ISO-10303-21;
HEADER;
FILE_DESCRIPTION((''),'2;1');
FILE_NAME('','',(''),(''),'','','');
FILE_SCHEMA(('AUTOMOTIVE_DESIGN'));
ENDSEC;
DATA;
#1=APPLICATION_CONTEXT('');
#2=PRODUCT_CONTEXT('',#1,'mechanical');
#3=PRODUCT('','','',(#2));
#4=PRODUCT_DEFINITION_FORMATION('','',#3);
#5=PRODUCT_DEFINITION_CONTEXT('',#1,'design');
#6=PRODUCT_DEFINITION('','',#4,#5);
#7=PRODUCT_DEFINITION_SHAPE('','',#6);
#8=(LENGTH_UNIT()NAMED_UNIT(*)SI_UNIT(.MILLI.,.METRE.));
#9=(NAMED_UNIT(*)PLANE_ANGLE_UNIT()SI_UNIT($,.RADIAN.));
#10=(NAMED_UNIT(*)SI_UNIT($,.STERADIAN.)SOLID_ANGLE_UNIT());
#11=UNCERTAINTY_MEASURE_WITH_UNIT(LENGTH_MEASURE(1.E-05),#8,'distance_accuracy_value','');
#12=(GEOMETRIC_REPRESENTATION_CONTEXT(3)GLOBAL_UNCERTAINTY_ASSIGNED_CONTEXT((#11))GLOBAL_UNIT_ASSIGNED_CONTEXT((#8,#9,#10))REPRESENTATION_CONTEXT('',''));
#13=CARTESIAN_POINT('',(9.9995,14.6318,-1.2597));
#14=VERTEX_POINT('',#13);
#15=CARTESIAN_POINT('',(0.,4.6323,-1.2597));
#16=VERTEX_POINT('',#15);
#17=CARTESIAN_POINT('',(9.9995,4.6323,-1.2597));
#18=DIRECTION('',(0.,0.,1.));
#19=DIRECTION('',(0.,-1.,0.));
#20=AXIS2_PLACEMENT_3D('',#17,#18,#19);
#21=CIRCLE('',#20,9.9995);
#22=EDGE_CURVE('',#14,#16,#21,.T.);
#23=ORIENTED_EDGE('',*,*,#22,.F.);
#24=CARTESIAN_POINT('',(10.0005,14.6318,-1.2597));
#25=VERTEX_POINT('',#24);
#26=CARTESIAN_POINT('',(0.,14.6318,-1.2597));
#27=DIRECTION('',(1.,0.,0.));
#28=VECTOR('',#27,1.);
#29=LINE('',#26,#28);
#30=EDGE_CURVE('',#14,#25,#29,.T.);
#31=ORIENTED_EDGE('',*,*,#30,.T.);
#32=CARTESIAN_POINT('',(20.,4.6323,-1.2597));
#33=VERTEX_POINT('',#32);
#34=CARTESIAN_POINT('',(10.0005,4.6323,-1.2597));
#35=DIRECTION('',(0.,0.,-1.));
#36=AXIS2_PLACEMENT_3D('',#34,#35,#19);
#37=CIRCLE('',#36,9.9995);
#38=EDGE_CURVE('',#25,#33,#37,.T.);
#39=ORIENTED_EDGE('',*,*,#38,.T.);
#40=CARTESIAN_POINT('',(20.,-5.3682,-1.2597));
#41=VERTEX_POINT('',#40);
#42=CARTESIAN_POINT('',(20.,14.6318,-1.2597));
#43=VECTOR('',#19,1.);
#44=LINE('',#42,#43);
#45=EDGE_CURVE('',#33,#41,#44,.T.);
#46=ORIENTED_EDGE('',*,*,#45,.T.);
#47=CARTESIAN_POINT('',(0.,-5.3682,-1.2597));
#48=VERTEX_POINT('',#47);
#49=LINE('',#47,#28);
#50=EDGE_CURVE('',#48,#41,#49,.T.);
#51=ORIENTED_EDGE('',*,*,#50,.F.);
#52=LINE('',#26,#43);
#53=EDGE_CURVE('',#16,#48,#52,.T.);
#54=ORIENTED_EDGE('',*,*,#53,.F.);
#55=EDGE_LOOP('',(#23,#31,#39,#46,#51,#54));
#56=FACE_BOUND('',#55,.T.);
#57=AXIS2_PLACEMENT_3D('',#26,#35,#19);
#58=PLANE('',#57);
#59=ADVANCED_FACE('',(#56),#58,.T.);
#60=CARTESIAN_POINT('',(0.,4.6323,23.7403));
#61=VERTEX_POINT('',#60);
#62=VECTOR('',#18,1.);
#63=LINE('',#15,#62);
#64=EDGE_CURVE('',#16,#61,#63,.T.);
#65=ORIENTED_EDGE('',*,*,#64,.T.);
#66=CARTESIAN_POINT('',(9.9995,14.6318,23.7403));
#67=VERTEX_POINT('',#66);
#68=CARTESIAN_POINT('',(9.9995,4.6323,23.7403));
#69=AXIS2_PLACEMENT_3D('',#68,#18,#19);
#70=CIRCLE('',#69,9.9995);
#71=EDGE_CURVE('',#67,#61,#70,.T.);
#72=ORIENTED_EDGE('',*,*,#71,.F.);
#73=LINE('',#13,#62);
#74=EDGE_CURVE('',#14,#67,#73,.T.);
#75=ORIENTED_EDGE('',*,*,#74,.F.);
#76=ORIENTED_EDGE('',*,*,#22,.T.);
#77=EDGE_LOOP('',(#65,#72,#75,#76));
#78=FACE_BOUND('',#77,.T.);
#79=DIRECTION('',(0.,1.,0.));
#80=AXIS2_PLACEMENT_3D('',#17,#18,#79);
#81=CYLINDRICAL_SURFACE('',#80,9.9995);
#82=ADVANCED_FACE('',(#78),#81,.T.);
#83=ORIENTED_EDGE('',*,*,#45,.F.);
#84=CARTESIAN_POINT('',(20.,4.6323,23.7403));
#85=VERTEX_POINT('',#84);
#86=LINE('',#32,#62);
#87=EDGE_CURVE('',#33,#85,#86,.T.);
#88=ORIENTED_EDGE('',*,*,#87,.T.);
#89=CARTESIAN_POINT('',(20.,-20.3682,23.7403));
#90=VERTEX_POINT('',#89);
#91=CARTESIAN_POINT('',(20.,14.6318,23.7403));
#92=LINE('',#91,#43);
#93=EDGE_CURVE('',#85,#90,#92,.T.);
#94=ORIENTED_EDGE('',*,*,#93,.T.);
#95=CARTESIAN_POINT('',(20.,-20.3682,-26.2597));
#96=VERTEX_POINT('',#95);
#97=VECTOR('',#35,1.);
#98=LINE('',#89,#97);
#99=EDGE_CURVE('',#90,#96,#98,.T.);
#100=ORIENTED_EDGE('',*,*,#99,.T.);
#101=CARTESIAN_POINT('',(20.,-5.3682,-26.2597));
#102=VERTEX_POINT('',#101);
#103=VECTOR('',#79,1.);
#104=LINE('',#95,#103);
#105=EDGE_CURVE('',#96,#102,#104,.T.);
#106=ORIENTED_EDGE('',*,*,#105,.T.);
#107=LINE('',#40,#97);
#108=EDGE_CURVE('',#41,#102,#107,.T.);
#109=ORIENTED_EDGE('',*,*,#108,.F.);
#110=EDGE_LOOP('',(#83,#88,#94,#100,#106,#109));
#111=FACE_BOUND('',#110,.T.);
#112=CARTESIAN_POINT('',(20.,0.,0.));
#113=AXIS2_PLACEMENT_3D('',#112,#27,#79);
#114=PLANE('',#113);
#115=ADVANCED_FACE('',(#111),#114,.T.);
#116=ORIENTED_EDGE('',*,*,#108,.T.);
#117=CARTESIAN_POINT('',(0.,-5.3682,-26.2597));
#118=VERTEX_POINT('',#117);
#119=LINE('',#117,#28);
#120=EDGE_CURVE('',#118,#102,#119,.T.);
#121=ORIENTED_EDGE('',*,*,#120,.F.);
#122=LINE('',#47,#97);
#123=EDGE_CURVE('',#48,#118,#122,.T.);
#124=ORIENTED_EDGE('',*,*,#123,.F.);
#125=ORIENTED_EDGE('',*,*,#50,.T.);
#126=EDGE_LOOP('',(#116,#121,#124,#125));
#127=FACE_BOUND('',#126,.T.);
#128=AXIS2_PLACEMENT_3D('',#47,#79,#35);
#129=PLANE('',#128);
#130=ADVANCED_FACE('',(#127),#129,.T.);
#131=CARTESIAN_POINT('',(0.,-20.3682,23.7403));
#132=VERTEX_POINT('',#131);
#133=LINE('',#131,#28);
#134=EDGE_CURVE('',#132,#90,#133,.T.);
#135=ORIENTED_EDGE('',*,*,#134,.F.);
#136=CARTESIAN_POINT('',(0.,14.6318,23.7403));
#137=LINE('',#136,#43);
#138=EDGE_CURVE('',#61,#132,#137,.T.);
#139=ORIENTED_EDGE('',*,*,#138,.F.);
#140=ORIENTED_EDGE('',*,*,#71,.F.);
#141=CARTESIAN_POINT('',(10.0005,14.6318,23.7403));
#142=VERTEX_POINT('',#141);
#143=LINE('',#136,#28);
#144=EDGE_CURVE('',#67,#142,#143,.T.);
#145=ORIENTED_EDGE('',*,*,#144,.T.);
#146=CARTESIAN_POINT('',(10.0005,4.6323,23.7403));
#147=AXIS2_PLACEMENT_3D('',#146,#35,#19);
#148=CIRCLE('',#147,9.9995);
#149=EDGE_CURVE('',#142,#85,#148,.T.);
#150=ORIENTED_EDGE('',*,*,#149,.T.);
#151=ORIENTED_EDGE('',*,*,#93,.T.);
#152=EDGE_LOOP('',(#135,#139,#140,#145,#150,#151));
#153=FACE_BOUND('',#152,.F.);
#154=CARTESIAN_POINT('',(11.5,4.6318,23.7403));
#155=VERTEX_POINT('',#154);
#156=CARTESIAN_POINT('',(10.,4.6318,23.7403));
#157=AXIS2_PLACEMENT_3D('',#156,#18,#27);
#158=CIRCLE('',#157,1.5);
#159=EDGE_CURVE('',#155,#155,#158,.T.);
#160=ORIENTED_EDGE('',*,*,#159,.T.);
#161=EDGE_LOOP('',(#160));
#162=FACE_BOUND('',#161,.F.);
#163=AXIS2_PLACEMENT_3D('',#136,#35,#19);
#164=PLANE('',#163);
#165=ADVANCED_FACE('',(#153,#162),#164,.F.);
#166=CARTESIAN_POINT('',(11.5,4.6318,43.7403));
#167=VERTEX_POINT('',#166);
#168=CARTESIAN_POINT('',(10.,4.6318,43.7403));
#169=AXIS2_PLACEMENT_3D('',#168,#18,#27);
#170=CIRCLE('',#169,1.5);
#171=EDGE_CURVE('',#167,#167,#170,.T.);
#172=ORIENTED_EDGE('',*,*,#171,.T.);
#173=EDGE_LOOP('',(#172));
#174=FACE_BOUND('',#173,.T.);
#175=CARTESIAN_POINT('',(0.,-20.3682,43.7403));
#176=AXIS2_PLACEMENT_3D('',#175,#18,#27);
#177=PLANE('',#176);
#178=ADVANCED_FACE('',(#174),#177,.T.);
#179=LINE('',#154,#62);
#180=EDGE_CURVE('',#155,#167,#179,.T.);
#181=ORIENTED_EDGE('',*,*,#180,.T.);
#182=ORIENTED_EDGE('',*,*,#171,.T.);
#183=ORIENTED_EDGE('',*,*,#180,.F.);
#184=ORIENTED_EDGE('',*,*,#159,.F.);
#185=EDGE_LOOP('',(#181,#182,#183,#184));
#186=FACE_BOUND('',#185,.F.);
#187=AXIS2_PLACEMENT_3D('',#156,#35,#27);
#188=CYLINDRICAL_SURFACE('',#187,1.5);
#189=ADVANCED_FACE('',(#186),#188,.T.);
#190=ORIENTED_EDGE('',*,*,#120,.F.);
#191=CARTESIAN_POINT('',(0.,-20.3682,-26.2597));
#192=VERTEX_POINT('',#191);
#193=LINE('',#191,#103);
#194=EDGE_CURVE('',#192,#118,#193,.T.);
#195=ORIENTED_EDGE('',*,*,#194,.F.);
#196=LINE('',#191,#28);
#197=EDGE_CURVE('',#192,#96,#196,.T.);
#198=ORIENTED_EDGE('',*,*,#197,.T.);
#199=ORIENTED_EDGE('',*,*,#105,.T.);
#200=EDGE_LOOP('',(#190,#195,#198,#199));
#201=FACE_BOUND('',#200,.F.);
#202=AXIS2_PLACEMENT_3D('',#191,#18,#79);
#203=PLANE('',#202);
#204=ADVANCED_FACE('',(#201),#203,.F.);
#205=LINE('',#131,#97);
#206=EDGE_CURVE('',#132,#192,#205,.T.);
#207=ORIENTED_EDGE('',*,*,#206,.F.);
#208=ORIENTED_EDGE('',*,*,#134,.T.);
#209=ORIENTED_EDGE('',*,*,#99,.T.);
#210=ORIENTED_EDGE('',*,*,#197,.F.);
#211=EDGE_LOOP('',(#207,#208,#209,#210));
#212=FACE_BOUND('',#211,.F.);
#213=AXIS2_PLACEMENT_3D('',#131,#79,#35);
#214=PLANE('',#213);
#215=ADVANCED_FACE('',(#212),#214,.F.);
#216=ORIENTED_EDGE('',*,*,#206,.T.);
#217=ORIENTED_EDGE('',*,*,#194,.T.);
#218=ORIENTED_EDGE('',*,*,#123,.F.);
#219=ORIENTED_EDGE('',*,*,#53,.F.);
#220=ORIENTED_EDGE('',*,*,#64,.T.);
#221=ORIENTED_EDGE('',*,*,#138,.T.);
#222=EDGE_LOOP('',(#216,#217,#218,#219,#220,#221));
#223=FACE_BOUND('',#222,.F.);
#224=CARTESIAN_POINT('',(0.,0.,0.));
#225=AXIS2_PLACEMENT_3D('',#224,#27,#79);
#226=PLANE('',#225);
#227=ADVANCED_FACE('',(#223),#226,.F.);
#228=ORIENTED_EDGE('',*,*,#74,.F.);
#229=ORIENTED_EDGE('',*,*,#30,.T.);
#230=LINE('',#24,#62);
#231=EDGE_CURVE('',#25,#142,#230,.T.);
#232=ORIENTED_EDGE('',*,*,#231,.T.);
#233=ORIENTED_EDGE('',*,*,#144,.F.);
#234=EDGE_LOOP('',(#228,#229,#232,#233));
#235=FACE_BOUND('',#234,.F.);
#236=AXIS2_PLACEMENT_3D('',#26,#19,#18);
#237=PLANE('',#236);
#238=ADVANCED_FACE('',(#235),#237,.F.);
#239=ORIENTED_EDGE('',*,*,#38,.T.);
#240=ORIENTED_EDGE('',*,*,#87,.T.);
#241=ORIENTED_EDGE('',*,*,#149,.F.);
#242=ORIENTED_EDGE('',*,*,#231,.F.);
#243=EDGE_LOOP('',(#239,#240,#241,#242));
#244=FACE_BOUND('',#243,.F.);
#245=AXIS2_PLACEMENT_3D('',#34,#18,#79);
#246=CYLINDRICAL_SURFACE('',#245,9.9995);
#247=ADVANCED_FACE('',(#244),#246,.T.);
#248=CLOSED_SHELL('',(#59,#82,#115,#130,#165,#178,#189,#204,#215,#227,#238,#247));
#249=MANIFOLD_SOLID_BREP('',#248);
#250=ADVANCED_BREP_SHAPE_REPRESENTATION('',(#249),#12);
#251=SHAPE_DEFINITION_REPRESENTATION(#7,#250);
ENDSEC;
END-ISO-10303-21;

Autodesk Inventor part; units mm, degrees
ref_plane "YZ Plane" through (0, 0, 0) normal (1, 0, 0) x (0, 1, 0)
ref_plane "XZ Plane" through (0, 0, 0) normal (0, 1, 0) x (-1, 0, 0)
ref_plane "XY Plane" through (0, 0, 0) normal (0, 0, 1) x (1, 0, 0)
sketch "Sketch1" plane through (0, 0, 0) normal (1, 0, 0) x (0, 1, 0)
  line L0 (14.6318, 23.7403) -> (-20.3682, 23.7403)
  line L1 (-20.3682, 23.7403) -> (-20.3682, -26.2597)
  line L2 (-20.3682, -26.2597) -> (-5.3682, -26.2597)
  line L3 (14.6318, -1.2597) -> (14.6318, 23.7403)
  line L4 (14.6318, -1.2597) -> (-5.3682, -1.2597)
  line L5 (-5.3682, -1.2597) -> (-5.3682, -26.2597)
  point P0 (0, 0)
  dimension "d8" = 35
  dimension "d9" = 25
  dimension "d10" = 20
  dimension "d11" = 25
  dimension "d12" = 50
extrude "Extrusion1" add sketch "Sketch1" along normal blind 20
fillet "Fillet1" radius 10 2 edges at (20, 14.6318, 11.2403) (0, 14.6318, 11.2403)
sketch "Sketch3" plane through (0, -20.3682, 23.7403) normal (0, 0, 1) x (1, 0, 0)
  circle A0 centre (10, 25) radius 1.5
  arc A1 (20, 25) -> (0, 25) centre (10, 25) ccw projected
  point P0 (0, 20.3682)
  dimension "d5" = 3
extrude "Extrusion2" add sketch "Sketch3" along normal blind 20
properties part number "Motor"
